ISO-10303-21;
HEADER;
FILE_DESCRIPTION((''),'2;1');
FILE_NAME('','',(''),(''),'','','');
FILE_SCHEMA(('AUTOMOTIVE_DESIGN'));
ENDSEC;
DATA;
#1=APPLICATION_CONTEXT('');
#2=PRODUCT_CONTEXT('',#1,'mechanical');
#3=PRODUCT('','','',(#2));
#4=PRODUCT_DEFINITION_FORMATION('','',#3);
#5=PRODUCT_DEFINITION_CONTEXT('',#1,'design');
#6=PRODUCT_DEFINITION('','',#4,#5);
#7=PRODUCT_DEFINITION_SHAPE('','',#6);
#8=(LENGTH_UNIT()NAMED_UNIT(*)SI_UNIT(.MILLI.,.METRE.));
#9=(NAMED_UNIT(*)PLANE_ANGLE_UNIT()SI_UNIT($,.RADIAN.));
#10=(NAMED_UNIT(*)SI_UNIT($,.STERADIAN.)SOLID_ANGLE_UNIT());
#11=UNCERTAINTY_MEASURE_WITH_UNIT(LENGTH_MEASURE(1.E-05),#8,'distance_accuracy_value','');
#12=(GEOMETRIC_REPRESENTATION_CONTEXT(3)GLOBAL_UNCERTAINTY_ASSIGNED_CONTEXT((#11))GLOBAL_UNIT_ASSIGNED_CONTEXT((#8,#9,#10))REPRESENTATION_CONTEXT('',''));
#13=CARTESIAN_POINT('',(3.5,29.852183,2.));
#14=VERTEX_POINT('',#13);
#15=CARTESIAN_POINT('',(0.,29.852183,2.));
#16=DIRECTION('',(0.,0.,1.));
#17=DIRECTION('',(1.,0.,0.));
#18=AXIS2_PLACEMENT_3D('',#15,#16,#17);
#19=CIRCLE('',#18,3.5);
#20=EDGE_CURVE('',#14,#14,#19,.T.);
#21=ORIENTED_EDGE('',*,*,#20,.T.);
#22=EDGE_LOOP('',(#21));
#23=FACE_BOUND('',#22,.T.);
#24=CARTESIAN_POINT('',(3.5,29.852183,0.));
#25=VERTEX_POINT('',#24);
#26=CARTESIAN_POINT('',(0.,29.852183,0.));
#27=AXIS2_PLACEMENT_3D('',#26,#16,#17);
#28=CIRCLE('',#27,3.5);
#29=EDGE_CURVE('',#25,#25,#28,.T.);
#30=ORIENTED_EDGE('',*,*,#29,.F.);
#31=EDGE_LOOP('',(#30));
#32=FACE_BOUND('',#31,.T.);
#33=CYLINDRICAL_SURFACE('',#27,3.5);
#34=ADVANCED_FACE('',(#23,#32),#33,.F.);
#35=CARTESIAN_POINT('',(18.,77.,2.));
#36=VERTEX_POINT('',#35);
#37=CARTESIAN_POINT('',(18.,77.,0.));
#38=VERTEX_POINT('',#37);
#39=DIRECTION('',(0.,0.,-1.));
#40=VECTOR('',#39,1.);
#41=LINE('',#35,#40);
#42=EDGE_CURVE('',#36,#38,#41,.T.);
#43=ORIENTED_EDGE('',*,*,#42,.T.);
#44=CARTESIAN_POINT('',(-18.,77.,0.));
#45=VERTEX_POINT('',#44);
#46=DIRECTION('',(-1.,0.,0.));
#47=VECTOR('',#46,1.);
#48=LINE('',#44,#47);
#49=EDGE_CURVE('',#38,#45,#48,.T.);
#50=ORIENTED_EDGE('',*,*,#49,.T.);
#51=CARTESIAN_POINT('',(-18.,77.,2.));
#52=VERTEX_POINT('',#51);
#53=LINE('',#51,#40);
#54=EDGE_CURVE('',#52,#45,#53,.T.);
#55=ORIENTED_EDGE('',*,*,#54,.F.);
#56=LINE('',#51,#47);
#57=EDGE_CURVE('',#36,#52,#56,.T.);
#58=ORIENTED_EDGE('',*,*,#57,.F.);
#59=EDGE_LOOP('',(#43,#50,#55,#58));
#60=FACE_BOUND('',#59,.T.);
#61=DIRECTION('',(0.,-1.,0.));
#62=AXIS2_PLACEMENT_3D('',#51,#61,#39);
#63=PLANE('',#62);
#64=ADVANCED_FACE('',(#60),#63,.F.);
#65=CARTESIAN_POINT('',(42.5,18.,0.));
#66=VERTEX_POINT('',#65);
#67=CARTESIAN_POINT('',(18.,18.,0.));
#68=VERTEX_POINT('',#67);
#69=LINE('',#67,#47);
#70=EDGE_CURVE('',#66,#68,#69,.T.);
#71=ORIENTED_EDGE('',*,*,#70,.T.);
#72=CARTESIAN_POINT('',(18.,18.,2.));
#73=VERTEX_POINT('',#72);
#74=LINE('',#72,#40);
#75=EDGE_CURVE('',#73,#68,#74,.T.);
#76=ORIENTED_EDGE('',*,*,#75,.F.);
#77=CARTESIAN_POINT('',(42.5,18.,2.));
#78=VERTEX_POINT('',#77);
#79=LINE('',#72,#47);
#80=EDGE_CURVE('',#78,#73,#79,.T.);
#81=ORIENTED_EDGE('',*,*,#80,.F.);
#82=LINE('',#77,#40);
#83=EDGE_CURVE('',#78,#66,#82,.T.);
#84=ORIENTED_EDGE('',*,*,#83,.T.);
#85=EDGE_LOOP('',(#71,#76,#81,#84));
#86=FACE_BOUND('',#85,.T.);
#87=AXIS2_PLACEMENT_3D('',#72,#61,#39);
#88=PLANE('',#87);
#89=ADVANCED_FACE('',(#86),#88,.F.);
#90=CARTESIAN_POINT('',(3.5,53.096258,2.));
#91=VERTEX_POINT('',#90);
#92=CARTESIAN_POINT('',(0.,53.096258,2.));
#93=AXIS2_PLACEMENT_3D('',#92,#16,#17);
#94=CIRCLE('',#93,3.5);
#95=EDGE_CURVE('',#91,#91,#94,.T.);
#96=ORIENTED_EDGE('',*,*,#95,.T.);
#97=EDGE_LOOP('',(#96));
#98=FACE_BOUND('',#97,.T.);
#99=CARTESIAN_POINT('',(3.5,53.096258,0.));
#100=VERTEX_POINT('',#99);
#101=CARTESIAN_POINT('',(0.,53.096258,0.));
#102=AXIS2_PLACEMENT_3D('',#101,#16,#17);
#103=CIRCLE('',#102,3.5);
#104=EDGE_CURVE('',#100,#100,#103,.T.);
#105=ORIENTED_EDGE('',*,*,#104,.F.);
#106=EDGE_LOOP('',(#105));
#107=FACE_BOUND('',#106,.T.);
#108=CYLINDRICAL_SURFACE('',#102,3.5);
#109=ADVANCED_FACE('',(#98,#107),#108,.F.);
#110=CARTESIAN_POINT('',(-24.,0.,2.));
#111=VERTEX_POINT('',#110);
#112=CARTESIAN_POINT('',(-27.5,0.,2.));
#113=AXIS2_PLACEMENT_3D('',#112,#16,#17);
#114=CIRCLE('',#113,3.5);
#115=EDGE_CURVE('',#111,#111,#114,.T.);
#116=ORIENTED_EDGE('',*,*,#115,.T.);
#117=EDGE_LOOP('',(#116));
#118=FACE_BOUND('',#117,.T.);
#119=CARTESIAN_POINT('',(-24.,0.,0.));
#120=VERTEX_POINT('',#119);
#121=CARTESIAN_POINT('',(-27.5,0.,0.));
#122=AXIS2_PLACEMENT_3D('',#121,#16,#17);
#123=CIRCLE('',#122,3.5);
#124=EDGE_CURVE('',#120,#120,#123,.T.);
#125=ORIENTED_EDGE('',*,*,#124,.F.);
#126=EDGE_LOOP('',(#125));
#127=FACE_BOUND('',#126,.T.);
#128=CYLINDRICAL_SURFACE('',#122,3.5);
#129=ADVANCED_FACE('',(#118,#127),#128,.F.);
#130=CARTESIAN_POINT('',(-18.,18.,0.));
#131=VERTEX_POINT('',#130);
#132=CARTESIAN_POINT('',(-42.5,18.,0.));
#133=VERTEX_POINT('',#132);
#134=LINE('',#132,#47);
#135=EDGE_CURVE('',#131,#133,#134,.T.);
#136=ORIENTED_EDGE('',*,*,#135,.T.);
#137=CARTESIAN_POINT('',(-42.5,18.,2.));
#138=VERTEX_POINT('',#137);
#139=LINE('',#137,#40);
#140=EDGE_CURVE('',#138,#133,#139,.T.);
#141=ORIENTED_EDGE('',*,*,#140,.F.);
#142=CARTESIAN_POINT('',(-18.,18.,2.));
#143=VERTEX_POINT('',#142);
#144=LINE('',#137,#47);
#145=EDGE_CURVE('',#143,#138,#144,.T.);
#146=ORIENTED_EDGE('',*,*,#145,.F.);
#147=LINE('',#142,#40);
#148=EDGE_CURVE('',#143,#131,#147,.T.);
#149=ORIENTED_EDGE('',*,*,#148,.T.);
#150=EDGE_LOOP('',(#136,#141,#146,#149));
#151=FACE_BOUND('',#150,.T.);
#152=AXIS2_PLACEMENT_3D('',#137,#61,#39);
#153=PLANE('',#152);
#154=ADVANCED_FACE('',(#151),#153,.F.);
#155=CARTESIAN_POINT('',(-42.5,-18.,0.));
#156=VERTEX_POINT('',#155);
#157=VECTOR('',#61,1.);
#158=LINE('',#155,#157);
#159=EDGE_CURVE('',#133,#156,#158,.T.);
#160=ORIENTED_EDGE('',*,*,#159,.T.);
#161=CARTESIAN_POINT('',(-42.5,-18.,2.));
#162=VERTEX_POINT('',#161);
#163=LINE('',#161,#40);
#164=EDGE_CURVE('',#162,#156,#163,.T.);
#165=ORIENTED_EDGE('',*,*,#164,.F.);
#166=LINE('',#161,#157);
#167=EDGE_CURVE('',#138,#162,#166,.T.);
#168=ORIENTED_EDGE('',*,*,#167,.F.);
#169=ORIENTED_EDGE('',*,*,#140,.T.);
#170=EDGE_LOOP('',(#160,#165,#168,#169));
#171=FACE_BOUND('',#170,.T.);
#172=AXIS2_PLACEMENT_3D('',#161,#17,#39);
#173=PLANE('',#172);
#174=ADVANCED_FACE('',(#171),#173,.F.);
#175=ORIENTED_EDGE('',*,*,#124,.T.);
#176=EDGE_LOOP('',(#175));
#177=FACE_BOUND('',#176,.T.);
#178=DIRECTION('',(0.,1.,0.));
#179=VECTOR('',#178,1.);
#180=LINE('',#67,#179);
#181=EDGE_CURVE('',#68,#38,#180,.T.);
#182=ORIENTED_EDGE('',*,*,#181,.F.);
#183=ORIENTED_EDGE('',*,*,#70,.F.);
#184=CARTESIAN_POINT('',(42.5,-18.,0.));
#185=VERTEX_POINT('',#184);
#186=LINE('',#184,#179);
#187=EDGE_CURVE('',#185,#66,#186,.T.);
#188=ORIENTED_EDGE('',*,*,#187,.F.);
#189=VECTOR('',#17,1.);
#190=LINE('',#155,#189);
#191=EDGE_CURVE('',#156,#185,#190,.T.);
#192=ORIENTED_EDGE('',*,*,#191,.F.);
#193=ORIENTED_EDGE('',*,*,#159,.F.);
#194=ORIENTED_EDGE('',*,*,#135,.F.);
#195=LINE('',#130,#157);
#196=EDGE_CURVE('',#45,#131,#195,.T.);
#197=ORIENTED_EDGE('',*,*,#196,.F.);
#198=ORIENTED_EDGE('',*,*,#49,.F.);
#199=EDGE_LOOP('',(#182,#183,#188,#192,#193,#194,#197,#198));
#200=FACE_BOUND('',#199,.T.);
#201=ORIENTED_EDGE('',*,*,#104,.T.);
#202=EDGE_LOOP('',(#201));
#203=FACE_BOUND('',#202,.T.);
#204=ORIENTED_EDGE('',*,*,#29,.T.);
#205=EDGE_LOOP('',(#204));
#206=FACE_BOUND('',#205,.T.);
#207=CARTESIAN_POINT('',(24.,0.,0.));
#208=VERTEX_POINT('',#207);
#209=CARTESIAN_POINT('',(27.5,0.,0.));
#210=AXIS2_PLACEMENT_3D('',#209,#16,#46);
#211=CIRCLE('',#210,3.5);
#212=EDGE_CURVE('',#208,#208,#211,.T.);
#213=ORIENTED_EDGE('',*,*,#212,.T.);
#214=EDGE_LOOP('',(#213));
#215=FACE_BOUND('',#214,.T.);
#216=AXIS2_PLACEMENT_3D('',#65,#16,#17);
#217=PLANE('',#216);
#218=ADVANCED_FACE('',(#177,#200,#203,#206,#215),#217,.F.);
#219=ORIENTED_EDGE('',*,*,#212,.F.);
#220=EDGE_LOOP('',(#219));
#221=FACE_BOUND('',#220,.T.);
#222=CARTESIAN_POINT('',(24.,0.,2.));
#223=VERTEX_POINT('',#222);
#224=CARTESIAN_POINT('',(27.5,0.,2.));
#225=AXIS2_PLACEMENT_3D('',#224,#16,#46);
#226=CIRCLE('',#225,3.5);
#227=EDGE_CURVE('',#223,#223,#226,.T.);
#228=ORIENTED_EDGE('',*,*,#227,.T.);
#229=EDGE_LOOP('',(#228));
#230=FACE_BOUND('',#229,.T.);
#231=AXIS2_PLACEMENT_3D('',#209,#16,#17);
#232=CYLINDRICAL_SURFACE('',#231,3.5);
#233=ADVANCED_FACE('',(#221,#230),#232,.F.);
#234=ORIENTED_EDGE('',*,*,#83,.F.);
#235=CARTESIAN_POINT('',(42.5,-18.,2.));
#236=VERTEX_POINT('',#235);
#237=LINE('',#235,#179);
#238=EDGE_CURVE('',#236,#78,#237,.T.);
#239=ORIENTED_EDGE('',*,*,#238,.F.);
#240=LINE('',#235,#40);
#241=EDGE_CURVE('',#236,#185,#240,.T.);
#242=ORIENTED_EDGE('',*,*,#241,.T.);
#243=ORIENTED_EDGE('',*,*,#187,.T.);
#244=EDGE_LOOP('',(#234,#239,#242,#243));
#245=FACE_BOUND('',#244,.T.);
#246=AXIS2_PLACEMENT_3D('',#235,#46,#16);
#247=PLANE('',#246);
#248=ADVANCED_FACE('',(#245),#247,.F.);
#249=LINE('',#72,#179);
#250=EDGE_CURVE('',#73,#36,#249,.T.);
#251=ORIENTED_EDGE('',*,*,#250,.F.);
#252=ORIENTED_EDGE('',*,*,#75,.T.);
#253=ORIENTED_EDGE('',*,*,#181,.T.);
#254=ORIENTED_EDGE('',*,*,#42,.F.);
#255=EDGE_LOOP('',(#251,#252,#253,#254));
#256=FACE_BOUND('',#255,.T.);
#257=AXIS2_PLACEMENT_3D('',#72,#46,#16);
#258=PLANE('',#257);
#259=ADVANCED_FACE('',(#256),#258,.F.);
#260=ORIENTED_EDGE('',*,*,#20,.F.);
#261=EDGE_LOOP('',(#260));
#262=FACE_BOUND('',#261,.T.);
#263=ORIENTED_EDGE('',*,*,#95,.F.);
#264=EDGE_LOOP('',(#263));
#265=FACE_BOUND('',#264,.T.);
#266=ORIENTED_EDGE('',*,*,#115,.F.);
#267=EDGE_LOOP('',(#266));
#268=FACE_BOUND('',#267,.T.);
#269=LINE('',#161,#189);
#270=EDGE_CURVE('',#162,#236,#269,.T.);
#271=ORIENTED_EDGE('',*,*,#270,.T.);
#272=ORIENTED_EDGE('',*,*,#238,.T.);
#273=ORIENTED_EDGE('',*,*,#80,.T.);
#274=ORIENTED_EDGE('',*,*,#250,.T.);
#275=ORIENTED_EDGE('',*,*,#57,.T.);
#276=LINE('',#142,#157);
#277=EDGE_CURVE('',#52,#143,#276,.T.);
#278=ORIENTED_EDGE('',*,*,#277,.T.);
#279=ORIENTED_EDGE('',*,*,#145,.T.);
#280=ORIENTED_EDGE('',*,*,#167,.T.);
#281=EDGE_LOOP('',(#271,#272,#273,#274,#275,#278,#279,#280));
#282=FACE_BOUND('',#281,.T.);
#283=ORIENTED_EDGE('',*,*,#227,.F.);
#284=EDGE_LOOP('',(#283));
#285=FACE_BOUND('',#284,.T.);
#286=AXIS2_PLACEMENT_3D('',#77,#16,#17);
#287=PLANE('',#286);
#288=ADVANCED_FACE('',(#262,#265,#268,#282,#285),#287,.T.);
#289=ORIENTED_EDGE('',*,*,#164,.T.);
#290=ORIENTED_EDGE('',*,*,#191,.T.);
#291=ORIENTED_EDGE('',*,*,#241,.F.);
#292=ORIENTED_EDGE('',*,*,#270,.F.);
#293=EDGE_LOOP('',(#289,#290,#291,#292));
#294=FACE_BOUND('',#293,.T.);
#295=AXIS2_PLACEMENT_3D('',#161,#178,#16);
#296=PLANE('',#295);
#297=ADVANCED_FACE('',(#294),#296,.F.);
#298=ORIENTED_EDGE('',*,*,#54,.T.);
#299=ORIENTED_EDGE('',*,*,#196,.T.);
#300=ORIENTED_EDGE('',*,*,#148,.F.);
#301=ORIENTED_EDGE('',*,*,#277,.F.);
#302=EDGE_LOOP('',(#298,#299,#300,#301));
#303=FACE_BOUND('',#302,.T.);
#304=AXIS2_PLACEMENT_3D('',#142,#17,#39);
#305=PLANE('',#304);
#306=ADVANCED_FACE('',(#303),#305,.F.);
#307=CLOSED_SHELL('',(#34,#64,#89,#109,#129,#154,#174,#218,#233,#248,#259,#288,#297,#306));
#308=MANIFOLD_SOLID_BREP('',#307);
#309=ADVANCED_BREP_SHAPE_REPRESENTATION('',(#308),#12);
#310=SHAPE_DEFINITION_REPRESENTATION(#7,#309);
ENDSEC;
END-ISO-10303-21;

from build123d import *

# Parameters (mm, degrees)
EXTRUDE_1_DEPTH     = 2
SKETCH_2_R          = 3.5
CUT_EXTRUDE_1_DEPTH = 88.973007224


with BuildPart() as part:
    # 草图1 → 凸台-拉伸1 (new body)
    with BuildSketch(Plane.XY):
        Polygon((-42.5, -18), (42.5, -18), (42.5, 18), (18, 18), (18, 77), (-18, 77), (-18, 18), (-42.5, 18), align=None)
    extrude(amount=EXTRUDE_1_DEPTH)

    # 草图2 → 切除-拉伸1 (cut, through all)
    with BuildSketch(Plane.XY.offset(2)):
        with Locations((0, 53.096257537)):
            Circle(SKETCH_2_R)
        with Locations((0, 29.852182948)):
            Circle(SKETCH_2_R)
        with Locations((-27.5, 0)):
            Circle(SKETCH_2_R)
        with Locations(Location((27.5, 0, 0), (0, 0, 180))):
            Circle(SKETCH_2_R)
    extrude(amount=-CUT_EXTRUDE_1_DEPTH, mode=Mode.SUBTRACT)


solid = part.part
